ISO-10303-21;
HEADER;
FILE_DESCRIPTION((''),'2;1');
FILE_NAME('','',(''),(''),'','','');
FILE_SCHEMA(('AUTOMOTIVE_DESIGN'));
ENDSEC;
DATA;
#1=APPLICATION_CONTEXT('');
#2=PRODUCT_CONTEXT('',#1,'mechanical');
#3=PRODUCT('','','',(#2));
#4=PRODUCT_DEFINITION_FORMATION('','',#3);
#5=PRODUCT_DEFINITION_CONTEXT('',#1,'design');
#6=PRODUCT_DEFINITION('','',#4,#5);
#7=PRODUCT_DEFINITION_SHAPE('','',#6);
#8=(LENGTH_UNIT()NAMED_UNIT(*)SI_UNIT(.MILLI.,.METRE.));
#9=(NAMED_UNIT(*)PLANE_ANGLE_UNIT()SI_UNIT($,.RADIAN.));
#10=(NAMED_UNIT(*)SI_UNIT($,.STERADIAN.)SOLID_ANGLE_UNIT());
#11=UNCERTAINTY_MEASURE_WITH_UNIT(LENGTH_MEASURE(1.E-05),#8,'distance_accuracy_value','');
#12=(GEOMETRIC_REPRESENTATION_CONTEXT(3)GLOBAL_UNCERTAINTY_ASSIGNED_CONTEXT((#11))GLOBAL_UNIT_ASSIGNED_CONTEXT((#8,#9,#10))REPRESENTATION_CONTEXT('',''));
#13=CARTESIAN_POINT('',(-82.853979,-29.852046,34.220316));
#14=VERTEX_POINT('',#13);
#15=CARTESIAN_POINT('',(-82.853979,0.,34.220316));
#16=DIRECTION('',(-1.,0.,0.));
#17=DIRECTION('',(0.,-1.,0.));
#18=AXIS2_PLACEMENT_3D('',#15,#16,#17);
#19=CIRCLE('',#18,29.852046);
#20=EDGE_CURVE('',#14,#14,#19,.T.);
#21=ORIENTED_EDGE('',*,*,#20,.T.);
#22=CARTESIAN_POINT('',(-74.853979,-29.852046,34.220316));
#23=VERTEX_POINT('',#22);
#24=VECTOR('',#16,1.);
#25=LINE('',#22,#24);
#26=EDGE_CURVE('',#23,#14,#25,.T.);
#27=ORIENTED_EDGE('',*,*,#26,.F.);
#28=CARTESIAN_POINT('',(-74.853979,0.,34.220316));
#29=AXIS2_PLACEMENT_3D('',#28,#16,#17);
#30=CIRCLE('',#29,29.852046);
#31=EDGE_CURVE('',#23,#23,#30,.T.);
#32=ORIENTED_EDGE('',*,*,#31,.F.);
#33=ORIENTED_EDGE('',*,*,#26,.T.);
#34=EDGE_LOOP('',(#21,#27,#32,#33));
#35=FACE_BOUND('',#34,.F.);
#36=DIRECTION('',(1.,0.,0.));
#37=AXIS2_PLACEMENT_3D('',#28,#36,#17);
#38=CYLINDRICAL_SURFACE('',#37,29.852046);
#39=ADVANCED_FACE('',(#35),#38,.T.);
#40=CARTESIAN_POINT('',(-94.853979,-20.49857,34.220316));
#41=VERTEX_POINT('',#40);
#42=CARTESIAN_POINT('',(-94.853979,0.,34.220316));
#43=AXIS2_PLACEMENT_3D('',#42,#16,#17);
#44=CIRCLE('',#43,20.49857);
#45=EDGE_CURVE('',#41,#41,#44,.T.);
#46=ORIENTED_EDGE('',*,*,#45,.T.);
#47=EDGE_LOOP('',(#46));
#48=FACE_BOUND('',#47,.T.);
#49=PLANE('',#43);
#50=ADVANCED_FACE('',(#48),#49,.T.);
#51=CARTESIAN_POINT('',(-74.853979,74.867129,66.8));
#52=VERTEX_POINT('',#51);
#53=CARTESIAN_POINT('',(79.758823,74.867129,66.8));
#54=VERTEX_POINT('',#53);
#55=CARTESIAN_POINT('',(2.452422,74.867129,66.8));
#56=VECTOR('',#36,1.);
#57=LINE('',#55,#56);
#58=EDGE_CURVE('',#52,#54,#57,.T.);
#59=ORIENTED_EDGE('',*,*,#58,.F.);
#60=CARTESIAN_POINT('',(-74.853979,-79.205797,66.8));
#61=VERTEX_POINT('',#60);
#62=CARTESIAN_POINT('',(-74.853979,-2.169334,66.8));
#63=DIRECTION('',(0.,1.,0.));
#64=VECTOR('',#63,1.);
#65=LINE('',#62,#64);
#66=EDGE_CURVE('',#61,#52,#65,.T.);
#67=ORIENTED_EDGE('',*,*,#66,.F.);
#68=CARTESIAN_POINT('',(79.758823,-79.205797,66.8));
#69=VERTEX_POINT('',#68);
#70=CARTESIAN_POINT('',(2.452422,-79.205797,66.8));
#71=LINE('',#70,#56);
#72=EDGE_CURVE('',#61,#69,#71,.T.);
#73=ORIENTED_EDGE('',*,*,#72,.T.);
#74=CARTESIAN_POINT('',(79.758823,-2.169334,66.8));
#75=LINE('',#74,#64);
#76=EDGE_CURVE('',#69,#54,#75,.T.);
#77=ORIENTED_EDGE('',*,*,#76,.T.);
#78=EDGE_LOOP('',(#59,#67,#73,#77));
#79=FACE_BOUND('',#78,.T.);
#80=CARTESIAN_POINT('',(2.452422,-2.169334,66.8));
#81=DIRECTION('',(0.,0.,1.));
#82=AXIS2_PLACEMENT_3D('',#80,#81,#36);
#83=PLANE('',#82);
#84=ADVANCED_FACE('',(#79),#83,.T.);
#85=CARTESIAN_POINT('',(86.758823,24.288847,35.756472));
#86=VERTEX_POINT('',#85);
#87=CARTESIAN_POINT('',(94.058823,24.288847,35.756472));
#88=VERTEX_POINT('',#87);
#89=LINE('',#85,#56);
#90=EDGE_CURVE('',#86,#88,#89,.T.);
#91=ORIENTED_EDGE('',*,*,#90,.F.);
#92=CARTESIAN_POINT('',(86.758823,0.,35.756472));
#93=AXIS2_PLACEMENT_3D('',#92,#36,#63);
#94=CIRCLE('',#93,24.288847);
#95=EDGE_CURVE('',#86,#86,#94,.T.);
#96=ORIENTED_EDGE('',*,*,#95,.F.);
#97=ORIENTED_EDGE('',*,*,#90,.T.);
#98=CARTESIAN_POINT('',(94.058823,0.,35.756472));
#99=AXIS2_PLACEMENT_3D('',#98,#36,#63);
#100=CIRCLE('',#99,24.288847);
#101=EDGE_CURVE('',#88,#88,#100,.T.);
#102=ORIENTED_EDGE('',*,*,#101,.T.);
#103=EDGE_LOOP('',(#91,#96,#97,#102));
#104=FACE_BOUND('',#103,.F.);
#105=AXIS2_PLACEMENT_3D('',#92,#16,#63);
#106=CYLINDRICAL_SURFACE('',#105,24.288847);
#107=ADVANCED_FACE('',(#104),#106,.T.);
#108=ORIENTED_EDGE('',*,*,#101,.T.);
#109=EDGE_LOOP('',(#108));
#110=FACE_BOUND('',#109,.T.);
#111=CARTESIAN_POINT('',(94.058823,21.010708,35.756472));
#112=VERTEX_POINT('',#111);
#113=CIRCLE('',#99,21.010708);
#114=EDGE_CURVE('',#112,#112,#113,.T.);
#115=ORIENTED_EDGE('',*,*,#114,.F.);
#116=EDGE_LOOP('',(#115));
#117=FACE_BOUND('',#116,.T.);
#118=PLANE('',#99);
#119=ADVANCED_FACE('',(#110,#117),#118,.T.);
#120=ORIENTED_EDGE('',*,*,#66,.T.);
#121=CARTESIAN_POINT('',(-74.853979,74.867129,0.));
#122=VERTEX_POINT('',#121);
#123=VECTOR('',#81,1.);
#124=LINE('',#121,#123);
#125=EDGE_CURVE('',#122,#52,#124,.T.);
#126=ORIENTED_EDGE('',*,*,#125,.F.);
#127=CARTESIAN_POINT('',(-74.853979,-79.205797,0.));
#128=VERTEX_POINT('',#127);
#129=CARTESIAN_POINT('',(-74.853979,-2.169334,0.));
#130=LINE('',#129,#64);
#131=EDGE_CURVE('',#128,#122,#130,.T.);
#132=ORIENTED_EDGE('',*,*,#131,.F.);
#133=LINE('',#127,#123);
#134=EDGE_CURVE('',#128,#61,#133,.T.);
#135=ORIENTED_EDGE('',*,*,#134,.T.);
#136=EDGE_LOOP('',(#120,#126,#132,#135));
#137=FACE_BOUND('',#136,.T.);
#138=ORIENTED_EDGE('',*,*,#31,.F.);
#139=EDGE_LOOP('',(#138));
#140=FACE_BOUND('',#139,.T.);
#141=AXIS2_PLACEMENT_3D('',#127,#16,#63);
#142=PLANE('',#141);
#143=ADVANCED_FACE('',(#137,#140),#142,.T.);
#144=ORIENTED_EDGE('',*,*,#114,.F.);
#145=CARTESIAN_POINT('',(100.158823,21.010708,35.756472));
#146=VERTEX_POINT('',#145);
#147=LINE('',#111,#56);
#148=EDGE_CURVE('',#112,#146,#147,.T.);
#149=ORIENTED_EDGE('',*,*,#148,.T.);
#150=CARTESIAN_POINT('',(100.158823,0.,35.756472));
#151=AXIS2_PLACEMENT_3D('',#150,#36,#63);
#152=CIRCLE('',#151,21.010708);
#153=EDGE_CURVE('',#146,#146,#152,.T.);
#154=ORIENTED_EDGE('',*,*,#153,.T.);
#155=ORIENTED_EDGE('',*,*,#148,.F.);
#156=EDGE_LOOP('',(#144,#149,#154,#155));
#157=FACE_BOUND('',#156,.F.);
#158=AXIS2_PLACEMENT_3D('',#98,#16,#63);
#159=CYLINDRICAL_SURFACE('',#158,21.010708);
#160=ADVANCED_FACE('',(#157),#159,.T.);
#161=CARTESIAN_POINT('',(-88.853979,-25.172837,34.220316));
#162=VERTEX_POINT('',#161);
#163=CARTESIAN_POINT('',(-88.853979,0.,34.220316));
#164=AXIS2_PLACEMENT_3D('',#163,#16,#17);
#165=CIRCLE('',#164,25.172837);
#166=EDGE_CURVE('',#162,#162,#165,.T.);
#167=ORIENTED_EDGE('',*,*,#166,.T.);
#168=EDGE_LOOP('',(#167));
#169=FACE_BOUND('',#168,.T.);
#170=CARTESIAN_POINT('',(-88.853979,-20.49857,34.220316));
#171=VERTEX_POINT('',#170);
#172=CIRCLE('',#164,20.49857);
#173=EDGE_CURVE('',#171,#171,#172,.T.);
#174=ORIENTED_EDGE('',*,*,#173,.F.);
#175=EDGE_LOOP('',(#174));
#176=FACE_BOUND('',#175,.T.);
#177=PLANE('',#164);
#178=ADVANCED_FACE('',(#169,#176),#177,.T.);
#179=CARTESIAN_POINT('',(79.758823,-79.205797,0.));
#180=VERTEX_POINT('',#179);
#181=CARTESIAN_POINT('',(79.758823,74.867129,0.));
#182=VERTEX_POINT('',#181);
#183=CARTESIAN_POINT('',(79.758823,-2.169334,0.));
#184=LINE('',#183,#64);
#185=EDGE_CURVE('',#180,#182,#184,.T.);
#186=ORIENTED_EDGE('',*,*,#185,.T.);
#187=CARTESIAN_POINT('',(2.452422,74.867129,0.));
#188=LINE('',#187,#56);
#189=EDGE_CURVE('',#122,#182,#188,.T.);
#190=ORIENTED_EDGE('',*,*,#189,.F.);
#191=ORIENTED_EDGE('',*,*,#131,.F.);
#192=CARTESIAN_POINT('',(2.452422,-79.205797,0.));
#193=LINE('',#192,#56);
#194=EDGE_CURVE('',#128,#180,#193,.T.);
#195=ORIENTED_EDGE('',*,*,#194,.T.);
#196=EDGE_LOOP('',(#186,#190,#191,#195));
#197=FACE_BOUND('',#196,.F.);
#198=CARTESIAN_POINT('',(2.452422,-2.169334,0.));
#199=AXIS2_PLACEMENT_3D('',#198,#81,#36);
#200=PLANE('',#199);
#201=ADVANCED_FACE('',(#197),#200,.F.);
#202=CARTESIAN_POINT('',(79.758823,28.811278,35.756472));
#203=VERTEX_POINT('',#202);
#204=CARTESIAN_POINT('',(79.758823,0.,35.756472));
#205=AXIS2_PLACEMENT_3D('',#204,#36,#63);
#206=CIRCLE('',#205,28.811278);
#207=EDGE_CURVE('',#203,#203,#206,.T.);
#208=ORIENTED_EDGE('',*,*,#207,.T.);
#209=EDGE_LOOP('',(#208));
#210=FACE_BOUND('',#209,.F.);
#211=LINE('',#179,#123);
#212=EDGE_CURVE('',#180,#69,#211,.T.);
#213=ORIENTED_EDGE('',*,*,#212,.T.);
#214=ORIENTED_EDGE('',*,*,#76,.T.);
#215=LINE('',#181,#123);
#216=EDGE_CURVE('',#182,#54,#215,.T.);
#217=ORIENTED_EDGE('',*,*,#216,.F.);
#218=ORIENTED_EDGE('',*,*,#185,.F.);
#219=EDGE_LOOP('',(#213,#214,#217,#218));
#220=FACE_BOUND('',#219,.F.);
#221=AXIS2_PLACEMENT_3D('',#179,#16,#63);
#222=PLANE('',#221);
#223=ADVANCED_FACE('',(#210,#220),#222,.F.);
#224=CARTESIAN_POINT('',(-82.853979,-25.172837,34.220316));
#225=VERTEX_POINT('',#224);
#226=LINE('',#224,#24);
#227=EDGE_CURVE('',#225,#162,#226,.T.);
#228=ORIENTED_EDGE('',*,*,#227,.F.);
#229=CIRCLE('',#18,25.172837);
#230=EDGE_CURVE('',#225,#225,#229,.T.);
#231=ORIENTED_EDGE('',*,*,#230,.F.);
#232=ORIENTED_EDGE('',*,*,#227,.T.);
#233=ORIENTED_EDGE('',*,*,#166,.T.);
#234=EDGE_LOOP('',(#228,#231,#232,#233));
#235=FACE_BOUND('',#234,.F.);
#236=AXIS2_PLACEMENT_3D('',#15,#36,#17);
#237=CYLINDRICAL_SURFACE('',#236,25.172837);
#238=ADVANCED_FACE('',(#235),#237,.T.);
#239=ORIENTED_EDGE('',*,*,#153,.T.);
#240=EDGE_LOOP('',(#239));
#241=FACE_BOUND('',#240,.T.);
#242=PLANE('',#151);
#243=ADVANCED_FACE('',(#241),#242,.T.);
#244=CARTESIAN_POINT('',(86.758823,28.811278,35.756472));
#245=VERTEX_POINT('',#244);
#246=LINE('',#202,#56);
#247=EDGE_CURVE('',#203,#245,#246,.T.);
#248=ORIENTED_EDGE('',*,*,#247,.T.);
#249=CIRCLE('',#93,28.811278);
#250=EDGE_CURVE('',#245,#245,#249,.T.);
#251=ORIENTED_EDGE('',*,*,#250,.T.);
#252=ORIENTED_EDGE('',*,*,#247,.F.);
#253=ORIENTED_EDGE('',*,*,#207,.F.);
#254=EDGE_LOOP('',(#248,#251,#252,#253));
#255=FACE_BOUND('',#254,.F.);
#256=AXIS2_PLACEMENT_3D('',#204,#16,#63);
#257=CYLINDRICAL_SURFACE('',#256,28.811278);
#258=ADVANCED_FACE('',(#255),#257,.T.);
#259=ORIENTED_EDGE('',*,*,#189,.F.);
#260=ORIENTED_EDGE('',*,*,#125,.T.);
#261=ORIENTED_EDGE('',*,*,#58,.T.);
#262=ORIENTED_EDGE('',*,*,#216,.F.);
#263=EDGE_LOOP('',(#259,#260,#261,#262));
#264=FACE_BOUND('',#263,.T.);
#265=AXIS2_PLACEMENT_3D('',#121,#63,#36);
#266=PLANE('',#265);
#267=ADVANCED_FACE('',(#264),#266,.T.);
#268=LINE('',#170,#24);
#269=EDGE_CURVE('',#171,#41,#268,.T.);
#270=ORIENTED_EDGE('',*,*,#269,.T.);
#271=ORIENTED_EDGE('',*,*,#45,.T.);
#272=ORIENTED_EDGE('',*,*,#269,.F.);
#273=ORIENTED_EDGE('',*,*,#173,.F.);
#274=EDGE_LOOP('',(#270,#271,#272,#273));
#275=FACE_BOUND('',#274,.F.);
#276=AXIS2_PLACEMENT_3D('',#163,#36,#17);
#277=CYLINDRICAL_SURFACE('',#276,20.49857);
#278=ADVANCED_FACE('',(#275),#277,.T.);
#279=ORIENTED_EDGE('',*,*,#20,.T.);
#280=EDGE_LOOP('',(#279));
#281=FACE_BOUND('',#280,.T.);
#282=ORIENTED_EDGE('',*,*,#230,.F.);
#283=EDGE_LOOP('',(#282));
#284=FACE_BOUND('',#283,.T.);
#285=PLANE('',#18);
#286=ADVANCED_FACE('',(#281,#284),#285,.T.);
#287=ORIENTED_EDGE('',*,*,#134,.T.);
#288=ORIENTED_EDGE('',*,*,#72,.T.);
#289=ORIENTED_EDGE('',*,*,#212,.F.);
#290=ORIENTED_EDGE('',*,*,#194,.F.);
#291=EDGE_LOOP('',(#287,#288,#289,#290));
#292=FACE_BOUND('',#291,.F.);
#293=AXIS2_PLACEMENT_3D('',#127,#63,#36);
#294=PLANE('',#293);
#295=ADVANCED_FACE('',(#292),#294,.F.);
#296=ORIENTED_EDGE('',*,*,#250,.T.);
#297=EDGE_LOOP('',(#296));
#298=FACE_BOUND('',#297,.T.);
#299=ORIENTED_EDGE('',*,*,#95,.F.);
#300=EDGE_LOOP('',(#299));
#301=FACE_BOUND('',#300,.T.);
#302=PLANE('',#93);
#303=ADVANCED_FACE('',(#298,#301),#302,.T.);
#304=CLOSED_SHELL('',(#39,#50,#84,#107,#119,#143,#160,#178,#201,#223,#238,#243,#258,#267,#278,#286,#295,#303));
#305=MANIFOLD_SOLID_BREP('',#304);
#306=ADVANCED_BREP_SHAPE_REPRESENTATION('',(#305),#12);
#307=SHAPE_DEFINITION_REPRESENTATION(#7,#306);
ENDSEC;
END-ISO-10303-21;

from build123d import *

# Parameters (mm, degrees)
F0_W      = 154.612802
F0_H      = 154.072925
F1_DEPTH  = 66.8
F2_R      = 28.811278
F3_DEPTH  = 7
F4_R      = 24.288847
F5_DEPTH  = 7.3
F6_R      = 21.010708
F7_DEPTH  = 6.1
F8_R      = 29.852046
F9_DEPTH  = 8
F10_R     = 25.172837
F11_DEPTH = 6
F12_R     = 20.49857
F13_DEPTH = 6


with BuildPart() as f1:
    # F0 (on Top) → F1 (new body)
    with BuildSketch(Plane.XY):
        with Locations((2.452422, -2.169334)):
            Rectangle(F0_W, F0_H)
    extrude(amount=F1_DEPTH)

    # F2 (on face) → F3 (join)
    with BuildSketch(Plane.YZ.offset(79.758823)):
        with Locations((0, 35.756472)):
            Circle(F2_R)
    extrude(amount=F3_DEPTH)

    # F4 (on face) → F5 (join)
    with BuildSketch(Plane.YZ.offset(86.758823)):
        with Locations((0, 35.756472)):
            Circle(F4_R)
    extrude(amount=F5_DEPTH)

    # F6 (on face) → F7 (join)
    with BuildSketch(Plane.YZ.offset(94.058823)):
        with Locations((0, 35.756472)):
            Circle(F6_R)
    extrude(amount=F7_DEPTH)

    # F8 (on face) → F9 (join)
    with BuildSketch(Plane(origin=(-74.853979, 0, 0), x_dir=(0, -1, 0), z_dir=(-1, 0, 0))):
        with Locations((0, 34.220316)):
            Circle(F8_R)
    extrude(amount=F9_DEPTH)

    # F10 (on face) → F11 (join)
    with BuildSketch(Plane(origin=(-82.853979, 0, 0), x_dir=(0, -1, 0), z_dir=(-1, 0, 0))):
        with Locations((0, 34.220316)):
            Circle(F10_R)
    extrude(amount=F11_DEPTH)

    # F12 (on face) → F13 (join)
    with BuildSketch(Plane(origin=(-88.853979, 0, 0), x_dir=(0, -1, 0), z_dir=(-1, 0, 0))):
        with Locations((0, 34.220316)):
            Circle(F12_R)
    extrude(amount=F13_DEPTH)


solid = f1.part
